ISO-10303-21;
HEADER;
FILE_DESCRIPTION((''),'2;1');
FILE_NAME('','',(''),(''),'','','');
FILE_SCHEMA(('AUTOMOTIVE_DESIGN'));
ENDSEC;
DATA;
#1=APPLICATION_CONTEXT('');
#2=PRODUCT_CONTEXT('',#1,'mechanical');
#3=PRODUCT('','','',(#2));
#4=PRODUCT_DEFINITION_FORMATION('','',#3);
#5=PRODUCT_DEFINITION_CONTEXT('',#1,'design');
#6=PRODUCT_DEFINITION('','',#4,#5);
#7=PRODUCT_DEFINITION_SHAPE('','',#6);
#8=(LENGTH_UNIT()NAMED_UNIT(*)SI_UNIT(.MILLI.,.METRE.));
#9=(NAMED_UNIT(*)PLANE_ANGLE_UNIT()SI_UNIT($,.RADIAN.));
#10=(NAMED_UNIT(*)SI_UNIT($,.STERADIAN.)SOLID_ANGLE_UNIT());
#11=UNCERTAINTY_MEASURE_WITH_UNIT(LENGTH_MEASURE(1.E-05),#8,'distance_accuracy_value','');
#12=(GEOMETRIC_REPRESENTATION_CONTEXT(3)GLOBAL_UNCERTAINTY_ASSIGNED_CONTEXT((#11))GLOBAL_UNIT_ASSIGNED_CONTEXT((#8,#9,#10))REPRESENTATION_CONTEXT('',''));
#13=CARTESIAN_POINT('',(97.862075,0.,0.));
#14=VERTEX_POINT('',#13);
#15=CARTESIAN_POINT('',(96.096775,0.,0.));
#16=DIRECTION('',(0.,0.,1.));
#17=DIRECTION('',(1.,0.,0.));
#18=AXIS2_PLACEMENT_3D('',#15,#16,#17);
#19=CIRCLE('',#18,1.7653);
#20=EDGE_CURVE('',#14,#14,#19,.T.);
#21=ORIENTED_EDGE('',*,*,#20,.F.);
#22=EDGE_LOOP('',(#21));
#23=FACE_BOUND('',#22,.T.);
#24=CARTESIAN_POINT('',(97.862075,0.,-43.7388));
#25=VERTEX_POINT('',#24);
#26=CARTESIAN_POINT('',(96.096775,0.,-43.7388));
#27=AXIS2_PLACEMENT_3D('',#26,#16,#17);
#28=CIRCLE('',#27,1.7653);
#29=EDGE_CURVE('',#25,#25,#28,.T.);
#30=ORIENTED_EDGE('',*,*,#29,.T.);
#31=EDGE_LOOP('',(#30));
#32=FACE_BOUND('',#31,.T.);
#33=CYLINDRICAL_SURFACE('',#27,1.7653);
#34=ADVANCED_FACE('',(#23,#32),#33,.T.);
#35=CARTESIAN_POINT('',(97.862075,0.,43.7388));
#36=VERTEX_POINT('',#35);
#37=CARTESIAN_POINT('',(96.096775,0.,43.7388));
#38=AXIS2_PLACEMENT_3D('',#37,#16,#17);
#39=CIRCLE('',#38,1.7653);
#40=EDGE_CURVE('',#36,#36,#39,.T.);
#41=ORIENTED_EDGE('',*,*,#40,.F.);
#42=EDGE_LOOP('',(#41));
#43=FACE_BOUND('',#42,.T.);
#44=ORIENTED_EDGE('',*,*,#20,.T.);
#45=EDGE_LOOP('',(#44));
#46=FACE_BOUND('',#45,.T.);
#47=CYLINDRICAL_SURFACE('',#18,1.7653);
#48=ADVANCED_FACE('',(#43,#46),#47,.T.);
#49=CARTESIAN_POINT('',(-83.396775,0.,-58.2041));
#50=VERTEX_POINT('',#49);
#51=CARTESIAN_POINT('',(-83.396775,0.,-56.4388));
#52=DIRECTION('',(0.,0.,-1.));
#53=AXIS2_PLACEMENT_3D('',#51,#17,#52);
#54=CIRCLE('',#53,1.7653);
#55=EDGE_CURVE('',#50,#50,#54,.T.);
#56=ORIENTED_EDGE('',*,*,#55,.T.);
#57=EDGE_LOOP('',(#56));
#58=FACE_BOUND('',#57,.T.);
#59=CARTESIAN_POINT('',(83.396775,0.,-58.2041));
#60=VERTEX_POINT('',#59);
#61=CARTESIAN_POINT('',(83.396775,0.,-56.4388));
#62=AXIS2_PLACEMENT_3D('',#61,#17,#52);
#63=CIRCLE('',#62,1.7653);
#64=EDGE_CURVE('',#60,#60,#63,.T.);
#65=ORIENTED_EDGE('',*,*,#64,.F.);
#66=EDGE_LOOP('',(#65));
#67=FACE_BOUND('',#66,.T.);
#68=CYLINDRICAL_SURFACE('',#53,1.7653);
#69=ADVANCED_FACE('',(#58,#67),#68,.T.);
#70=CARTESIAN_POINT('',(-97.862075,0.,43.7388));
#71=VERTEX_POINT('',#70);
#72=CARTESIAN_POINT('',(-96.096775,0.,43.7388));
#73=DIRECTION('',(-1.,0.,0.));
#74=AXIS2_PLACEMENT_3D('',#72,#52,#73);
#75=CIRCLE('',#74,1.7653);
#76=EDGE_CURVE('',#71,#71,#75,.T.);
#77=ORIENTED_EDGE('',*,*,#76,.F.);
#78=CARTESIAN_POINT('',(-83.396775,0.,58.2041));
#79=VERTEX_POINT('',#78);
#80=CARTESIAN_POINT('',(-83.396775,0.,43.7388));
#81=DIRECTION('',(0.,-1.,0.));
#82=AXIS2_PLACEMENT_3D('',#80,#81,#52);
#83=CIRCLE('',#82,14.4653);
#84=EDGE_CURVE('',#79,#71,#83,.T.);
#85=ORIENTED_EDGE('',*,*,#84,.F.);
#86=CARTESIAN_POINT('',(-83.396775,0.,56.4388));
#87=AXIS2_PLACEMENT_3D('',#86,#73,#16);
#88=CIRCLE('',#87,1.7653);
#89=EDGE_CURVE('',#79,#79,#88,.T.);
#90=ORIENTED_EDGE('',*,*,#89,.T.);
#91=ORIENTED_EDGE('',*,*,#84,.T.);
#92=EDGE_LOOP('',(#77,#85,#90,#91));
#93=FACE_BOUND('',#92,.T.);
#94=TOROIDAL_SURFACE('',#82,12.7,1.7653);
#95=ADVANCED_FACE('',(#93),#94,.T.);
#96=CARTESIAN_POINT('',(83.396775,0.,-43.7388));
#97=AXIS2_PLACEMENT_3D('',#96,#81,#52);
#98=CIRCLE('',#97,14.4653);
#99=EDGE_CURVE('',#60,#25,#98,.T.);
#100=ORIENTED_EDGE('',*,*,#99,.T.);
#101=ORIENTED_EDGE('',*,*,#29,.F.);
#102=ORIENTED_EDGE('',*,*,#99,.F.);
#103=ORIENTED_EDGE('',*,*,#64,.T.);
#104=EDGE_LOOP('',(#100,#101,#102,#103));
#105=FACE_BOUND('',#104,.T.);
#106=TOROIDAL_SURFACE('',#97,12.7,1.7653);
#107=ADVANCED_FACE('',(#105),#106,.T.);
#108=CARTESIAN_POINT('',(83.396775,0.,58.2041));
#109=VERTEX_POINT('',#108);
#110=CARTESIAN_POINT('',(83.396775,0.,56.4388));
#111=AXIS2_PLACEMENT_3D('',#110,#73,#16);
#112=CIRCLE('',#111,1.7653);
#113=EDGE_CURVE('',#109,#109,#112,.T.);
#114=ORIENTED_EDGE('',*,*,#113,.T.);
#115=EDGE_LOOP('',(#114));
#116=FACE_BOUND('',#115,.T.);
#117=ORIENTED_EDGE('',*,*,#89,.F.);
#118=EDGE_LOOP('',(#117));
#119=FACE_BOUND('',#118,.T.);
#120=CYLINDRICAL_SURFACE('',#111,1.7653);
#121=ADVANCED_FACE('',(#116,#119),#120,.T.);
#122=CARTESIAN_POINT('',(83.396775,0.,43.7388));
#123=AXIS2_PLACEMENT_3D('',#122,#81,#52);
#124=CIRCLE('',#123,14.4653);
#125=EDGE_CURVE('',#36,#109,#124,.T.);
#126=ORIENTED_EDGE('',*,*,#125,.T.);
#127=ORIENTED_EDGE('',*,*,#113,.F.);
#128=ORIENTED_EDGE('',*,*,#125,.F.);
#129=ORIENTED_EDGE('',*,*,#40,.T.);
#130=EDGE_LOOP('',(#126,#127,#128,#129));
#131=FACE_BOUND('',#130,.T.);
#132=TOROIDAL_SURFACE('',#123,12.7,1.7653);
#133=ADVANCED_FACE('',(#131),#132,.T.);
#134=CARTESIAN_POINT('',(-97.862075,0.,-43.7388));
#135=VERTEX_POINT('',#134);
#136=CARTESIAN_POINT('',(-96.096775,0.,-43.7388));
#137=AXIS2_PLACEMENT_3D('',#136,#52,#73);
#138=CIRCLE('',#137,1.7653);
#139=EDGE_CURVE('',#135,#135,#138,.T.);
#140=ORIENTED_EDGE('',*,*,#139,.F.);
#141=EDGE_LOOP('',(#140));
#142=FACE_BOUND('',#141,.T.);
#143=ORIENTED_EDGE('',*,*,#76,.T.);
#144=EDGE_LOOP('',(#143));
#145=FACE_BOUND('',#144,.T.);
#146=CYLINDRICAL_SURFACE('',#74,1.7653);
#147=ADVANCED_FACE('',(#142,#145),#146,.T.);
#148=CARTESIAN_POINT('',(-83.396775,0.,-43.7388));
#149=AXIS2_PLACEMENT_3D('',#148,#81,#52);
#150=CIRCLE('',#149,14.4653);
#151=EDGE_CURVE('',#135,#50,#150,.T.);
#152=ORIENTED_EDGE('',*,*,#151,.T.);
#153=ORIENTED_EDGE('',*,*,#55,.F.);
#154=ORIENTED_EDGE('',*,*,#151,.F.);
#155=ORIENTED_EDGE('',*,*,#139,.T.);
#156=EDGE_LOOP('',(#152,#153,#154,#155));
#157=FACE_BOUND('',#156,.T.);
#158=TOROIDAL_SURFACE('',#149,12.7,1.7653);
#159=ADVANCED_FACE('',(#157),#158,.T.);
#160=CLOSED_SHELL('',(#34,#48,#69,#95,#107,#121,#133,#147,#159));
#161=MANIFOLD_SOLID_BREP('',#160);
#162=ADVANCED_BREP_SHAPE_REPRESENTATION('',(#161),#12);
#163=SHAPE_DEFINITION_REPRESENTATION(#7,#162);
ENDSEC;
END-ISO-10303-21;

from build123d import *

# Parameters (mm, degrees)
O_RINGPROFILE_R = 1.7653


with BuildPart() as part:
    # Sweep2: sweep along a path in O-RingPath
    with BuildLine(Plane(origin=(0, 0, 0), x_dir=(1, 0, 0), z_dir=(0, 1, 0))) as sweep2_path:
        Line((83.396775144, -56.4388), (-83.396775144, -56.4388))
        ThreePointArc((-83.396775144, -56.4388), (-92.377031265, -52.719056121), (-96.096775144, -43.7388))
        Line((-96.096775144, -43.7388), (-96.096775144, 43.7388))
        ThreePointArc((-96.096775144, 43.7388), (-92.377031265, 52.719056121), (-83.396775144, 56.4388))
        Line((-83.396775144, 56.4388), (83.396775144, 56.4388))
        ThreePointArc((83.396775144, 56.4388), (92.377031265, 52.719056121), (96.096775144, 43.7388))
        Line((96.096775144, 43.7388), (96.096775144, -43.7388))
        ThreePointArc((96.096775144, -43.7388), (92.377031265, -52.719056121), (83.396775144, -56.4388))
    # O-RingProfile → Sweep2 (sweep)
    with BuildSketch(Plane.XY):
        with Locations((96.096775144, 0)):
            Circle(O_RINGPROFILE_R)
    sweep(path=sweep2_path.line)


solid = part.part
